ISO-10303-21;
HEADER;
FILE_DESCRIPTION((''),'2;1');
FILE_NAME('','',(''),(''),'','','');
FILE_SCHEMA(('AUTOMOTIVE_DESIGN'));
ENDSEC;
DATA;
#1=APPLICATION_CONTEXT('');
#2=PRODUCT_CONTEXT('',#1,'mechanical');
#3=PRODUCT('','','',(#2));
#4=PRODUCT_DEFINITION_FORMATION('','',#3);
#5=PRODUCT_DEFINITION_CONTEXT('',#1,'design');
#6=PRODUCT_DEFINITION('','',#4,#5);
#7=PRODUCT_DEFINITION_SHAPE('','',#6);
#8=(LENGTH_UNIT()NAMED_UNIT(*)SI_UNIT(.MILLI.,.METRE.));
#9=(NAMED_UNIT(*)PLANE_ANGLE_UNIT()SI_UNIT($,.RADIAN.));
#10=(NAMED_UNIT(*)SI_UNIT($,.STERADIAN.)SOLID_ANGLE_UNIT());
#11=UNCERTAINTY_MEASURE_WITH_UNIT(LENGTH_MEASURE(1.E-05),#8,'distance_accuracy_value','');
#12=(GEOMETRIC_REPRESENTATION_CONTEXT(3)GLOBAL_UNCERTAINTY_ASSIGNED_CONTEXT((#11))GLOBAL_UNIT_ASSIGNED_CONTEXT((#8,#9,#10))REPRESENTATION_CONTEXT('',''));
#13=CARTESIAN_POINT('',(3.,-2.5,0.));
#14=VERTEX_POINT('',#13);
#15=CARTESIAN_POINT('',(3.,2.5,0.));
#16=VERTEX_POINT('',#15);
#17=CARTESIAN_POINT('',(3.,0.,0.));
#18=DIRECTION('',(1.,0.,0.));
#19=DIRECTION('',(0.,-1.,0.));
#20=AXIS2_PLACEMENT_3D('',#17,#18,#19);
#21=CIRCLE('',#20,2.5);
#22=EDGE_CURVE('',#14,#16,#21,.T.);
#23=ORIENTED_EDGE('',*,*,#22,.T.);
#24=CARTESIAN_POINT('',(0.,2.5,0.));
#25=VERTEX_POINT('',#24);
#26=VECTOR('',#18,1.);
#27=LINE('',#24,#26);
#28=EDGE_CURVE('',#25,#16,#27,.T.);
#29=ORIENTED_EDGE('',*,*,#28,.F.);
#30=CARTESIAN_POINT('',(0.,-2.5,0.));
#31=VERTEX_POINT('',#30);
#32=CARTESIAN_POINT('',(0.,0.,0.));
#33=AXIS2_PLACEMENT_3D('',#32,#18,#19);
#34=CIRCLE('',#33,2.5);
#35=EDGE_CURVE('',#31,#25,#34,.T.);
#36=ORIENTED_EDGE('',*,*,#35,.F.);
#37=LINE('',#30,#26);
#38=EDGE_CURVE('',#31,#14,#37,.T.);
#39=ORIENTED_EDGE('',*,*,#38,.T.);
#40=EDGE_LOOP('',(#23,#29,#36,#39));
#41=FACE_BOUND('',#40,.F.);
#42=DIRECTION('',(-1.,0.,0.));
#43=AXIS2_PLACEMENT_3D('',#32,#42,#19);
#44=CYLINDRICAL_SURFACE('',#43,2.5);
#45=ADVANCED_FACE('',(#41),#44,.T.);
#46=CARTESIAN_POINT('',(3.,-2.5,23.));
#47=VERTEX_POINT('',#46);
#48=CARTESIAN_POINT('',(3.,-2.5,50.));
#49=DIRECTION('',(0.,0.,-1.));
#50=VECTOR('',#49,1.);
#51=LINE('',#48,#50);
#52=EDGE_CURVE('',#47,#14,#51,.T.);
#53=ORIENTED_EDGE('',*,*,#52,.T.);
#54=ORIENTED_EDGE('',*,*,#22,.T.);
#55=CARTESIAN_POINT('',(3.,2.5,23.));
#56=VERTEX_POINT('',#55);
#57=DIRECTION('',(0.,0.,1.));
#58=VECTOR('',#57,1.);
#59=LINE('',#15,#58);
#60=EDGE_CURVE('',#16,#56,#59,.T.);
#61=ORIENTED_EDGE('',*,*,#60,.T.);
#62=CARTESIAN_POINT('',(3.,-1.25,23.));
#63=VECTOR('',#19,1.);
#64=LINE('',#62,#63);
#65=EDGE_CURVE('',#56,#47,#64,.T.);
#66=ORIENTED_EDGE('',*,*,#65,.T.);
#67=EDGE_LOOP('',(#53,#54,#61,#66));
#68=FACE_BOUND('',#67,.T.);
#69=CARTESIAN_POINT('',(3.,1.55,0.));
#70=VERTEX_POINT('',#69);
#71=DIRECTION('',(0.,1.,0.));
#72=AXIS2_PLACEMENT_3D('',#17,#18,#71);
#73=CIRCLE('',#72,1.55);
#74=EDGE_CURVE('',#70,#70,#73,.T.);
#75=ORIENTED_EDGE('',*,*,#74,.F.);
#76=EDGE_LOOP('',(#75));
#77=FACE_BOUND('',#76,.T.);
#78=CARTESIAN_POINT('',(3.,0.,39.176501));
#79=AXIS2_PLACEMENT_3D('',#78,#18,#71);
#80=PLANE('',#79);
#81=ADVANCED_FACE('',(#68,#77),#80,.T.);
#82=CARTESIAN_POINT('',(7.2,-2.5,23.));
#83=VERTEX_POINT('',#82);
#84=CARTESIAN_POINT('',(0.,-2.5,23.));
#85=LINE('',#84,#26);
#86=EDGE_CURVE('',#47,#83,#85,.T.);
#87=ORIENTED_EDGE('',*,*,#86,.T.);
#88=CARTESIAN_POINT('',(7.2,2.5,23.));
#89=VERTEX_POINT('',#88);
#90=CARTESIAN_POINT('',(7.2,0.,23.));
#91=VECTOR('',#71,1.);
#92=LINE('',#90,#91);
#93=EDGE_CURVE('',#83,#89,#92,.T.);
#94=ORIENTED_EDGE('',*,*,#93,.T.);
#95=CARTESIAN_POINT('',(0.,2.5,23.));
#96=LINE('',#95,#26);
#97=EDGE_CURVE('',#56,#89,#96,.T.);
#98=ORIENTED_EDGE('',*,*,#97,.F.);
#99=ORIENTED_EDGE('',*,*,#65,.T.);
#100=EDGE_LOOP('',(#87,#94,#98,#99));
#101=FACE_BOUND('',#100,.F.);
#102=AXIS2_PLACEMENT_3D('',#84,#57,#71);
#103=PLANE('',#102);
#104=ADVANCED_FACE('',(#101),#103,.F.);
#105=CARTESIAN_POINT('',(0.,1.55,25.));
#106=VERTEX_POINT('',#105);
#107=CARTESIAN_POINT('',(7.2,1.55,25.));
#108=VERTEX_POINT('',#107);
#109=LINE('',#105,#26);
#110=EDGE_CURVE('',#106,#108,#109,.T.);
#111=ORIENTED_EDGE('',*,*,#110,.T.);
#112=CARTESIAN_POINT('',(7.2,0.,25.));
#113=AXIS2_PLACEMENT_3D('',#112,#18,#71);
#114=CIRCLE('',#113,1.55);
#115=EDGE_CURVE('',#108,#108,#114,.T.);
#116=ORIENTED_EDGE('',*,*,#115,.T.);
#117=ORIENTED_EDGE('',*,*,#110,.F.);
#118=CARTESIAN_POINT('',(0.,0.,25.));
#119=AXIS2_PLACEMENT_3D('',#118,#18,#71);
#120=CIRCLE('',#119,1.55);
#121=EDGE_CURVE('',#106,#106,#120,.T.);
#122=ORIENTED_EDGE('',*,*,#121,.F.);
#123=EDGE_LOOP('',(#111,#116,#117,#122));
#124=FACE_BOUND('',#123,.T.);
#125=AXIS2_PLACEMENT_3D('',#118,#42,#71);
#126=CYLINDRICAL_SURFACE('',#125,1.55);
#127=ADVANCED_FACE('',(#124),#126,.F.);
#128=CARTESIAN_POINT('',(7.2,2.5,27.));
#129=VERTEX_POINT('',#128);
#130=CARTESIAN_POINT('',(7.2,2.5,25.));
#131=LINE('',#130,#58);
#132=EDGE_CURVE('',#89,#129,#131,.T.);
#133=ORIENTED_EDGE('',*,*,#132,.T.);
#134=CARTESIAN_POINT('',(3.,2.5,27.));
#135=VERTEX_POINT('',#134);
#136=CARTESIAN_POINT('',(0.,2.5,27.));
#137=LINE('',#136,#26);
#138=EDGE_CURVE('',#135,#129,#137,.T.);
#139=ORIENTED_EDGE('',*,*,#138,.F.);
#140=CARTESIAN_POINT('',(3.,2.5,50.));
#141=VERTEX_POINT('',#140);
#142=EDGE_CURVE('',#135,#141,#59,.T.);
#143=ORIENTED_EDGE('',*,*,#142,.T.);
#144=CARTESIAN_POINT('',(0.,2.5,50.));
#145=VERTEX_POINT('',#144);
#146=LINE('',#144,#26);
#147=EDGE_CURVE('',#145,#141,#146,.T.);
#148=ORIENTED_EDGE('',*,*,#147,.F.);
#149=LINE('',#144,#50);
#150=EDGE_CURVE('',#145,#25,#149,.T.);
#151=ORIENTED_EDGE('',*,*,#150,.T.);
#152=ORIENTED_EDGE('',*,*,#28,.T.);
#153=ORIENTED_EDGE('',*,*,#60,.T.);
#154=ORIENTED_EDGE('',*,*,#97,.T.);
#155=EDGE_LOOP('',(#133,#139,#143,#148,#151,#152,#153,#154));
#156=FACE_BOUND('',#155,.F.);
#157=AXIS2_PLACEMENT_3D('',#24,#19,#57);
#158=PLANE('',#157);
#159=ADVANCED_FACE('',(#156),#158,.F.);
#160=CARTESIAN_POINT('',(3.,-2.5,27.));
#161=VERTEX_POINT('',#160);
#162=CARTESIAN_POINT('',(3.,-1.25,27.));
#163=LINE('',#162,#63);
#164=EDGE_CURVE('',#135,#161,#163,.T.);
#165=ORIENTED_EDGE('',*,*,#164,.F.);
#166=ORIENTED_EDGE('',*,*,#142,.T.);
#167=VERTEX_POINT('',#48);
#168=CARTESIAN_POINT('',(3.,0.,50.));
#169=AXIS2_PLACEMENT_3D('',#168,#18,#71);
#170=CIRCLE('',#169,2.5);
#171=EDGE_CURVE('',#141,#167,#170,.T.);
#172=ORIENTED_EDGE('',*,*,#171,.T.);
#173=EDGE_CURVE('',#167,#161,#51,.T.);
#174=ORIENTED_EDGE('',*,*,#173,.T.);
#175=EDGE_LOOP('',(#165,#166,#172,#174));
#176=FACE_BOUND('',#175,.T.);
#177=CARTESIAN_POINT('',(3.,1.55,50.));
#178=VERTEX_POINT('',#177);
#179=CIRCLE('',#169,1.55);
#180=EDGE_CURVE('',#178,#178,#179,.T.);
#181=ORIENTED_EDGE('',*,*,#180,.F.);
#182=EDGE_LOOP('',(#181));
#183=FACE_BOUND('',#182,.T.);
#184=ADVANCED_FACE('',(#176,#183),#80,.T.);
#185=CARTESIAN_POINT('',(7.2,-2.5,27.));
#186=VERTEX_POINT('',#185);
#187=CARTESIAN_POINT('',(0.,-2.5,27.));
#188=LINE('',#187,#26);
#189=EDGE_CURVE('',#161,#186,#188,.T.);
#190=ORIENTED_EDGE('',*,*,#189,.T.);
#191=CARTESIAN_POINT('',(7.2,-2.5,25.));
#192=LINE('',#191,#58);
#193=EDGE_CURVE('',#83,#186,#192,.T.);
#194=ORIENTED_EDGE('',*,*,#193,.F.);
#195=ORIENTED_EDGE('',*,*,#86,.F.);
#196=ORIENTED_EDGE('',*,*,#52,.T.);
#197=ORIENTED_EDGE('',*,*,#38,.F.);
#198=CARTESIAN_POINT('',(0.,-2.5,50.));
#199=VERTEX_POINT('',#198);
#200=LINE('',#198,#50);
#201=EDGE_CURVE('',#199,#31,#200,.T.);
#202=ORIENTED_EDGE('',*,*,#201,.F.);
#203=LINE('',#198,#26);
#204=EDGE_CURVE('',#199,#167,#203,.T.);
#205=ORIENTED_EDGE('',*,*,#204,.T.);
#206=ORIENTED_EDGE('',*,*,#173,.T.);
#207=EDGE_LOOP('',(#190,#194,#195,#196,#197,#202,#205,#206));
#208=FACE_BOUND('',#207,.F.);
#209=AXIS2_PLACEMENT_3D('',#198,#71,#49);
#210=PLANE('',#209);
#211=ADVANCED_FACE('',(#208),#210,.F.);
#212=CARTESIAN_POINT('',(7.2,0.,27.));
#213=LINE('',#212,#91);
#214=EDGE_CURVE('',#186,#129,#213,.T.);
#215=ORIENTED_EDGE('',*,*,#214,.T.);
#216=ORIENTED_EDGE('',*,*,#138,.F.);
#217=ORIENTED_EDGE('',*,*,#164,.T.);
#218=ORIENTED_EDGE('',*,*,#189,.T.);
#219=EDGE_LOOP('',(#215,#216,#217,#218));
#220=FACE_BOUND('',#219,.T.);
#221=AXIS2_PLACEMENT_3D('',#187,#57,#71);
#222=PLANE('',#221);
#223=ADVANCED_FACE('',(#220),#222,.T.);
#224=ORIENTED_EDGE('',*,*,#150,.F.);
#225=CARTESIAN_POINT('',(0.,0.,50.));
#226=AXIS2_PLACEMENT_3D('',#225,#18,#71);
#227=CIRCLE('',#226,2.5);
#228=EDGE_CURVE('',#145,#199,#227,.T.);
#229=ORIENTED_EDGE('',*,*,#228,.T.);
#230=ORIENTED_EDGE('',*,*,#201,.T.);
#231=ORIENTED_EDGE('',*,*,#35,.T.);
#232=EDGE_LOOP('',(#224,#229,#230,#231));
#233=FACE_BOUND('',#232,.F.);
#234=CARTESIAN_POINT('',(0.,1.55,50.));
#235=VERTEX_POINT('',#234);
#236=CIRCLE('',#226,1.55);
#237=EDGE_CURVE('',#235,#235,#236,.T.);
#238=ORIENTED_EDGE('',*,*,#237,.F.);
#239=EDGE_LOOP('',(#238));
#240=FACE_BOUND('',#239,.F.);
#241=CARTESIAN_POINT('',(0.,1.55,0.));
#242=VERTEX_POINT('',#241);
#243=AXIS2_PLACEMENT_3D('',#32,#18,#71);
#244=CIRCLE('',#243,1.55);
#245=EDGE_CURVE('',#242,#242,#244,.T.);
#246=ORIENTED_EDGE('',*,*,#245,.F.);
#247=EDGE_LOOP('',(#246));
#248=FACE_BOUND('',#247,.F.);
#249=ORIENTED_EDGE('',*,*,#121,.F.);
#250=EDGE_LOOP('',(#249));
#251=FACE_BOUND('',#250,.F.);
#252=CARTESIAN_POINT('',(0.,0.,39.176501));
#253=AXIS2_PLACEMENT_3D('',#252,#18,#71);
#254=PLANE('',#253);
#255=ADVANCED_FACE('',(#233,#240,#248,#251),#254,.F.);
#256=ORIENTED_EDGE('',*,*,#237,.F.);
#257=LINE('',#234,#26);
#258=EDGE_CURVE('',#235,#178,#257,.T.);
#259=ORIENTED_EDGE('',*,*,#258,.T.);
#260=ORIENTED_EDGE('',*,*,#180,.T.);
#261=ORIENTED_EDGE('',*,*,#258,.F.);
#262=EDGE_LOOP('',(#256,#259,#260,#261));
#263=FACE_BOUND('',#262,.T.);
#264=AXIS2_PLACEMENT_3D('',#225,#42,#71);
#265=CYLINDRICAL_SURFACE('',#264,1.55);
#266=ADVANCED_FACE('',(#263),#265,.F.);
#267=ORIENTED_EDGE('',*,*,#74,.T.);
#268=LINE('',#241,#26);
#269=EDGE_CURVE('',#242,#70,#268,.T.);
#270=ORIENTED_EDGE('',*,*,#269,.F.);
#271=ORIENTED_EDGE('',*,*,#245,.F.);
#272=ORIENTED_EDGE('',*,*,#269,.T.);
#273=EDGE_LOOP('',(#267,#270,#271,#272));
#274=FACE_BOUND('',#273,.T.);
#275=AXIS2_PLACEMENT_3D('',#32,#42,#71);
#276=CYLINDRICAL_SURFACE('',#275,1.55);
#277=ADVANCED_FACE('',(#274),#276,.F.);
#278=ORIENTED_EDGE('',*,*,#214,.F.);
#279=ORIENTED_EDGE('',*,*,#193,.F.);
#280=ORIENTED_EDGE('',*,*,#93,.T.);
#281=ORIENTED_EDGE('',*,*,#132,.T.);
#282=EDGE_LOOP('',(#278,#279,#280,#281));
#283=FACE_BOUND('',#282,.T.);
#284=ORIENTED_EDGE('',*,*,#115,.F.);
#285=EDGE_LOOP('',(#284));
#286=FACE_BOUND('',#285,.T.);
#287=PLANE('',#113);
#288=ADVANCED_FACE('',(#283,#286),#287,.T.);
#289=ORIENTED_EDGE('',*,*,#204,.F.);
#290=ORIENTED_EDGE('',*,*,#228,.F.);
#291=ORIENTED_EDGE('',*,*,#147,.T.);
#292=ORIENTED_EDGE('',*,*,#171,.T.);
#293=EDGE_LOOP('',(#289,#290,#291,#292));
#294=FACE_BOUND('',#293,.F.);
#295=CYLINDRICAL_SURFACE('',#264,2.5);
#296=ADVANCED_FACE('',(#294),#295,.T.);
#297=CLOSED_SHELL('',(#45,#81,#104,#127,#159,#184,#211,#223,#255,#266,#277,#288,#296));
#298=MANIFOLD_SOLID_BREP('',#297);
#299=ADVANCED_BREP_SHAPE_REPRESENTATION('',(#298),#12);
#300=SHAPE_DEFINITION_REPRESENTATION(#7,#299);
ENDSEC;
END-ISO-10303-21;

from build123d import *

# Parameters (mm, degrees)
F0_R     = 1.55
F0_W     = 5
F0_H     = 4
F1_DEPTH = 3
F2_DEPTH = 7.2


with BuildPart() as f1:
    # F0 (on Right) → F1 (new body)
    with BuildSketch(Plane.YZ):
        with BuildLine():
            Line((-2.5, 50), (-2.5, 27))
            Line((-2.5, 27), (2.5, 27))
            Line((2.5, 27), (2.5, 50))
            ThreePointArc((2.5, 50), (0, 52.5), (-2.5, 50))
        make_face()
        with Locations((0, 50)):
            Circle(F0_R, mode=Mode.SUBTRACT)
        with Locations((0, 25)):
            Rectangle(F0_W, F0_H)
        with Locations((0, 25)):
            Circle(F0_R, mode=Mode.SUBTRACT)
        with BuildLine():
            Line((-2.5, 23), (-2.5, 0))
            ThreePointArc((-2.5, 0), (0, -2.5), (2.5, 0))
            Line((2.5, 0), (2.5, 23))
            Line((2.5, 23), (-2.5, 23))
        make_face()
        Circle(F0_R, mode=Mode.SUBTRACT)
    extrude(amount=F1_DEPTH)

    # F0 (on Right) → F2 (join)
    with BuildSketch(Plane.YZ):
        with Locations((0, 25)):
            Rectangle(F0_W, F0_H)
        with Locations((0, 25)):
            Circle(F0_R, mode=Mode.SUBTRACT)
    extrude(amount=F2_DEPTH)


solid = f1.part
